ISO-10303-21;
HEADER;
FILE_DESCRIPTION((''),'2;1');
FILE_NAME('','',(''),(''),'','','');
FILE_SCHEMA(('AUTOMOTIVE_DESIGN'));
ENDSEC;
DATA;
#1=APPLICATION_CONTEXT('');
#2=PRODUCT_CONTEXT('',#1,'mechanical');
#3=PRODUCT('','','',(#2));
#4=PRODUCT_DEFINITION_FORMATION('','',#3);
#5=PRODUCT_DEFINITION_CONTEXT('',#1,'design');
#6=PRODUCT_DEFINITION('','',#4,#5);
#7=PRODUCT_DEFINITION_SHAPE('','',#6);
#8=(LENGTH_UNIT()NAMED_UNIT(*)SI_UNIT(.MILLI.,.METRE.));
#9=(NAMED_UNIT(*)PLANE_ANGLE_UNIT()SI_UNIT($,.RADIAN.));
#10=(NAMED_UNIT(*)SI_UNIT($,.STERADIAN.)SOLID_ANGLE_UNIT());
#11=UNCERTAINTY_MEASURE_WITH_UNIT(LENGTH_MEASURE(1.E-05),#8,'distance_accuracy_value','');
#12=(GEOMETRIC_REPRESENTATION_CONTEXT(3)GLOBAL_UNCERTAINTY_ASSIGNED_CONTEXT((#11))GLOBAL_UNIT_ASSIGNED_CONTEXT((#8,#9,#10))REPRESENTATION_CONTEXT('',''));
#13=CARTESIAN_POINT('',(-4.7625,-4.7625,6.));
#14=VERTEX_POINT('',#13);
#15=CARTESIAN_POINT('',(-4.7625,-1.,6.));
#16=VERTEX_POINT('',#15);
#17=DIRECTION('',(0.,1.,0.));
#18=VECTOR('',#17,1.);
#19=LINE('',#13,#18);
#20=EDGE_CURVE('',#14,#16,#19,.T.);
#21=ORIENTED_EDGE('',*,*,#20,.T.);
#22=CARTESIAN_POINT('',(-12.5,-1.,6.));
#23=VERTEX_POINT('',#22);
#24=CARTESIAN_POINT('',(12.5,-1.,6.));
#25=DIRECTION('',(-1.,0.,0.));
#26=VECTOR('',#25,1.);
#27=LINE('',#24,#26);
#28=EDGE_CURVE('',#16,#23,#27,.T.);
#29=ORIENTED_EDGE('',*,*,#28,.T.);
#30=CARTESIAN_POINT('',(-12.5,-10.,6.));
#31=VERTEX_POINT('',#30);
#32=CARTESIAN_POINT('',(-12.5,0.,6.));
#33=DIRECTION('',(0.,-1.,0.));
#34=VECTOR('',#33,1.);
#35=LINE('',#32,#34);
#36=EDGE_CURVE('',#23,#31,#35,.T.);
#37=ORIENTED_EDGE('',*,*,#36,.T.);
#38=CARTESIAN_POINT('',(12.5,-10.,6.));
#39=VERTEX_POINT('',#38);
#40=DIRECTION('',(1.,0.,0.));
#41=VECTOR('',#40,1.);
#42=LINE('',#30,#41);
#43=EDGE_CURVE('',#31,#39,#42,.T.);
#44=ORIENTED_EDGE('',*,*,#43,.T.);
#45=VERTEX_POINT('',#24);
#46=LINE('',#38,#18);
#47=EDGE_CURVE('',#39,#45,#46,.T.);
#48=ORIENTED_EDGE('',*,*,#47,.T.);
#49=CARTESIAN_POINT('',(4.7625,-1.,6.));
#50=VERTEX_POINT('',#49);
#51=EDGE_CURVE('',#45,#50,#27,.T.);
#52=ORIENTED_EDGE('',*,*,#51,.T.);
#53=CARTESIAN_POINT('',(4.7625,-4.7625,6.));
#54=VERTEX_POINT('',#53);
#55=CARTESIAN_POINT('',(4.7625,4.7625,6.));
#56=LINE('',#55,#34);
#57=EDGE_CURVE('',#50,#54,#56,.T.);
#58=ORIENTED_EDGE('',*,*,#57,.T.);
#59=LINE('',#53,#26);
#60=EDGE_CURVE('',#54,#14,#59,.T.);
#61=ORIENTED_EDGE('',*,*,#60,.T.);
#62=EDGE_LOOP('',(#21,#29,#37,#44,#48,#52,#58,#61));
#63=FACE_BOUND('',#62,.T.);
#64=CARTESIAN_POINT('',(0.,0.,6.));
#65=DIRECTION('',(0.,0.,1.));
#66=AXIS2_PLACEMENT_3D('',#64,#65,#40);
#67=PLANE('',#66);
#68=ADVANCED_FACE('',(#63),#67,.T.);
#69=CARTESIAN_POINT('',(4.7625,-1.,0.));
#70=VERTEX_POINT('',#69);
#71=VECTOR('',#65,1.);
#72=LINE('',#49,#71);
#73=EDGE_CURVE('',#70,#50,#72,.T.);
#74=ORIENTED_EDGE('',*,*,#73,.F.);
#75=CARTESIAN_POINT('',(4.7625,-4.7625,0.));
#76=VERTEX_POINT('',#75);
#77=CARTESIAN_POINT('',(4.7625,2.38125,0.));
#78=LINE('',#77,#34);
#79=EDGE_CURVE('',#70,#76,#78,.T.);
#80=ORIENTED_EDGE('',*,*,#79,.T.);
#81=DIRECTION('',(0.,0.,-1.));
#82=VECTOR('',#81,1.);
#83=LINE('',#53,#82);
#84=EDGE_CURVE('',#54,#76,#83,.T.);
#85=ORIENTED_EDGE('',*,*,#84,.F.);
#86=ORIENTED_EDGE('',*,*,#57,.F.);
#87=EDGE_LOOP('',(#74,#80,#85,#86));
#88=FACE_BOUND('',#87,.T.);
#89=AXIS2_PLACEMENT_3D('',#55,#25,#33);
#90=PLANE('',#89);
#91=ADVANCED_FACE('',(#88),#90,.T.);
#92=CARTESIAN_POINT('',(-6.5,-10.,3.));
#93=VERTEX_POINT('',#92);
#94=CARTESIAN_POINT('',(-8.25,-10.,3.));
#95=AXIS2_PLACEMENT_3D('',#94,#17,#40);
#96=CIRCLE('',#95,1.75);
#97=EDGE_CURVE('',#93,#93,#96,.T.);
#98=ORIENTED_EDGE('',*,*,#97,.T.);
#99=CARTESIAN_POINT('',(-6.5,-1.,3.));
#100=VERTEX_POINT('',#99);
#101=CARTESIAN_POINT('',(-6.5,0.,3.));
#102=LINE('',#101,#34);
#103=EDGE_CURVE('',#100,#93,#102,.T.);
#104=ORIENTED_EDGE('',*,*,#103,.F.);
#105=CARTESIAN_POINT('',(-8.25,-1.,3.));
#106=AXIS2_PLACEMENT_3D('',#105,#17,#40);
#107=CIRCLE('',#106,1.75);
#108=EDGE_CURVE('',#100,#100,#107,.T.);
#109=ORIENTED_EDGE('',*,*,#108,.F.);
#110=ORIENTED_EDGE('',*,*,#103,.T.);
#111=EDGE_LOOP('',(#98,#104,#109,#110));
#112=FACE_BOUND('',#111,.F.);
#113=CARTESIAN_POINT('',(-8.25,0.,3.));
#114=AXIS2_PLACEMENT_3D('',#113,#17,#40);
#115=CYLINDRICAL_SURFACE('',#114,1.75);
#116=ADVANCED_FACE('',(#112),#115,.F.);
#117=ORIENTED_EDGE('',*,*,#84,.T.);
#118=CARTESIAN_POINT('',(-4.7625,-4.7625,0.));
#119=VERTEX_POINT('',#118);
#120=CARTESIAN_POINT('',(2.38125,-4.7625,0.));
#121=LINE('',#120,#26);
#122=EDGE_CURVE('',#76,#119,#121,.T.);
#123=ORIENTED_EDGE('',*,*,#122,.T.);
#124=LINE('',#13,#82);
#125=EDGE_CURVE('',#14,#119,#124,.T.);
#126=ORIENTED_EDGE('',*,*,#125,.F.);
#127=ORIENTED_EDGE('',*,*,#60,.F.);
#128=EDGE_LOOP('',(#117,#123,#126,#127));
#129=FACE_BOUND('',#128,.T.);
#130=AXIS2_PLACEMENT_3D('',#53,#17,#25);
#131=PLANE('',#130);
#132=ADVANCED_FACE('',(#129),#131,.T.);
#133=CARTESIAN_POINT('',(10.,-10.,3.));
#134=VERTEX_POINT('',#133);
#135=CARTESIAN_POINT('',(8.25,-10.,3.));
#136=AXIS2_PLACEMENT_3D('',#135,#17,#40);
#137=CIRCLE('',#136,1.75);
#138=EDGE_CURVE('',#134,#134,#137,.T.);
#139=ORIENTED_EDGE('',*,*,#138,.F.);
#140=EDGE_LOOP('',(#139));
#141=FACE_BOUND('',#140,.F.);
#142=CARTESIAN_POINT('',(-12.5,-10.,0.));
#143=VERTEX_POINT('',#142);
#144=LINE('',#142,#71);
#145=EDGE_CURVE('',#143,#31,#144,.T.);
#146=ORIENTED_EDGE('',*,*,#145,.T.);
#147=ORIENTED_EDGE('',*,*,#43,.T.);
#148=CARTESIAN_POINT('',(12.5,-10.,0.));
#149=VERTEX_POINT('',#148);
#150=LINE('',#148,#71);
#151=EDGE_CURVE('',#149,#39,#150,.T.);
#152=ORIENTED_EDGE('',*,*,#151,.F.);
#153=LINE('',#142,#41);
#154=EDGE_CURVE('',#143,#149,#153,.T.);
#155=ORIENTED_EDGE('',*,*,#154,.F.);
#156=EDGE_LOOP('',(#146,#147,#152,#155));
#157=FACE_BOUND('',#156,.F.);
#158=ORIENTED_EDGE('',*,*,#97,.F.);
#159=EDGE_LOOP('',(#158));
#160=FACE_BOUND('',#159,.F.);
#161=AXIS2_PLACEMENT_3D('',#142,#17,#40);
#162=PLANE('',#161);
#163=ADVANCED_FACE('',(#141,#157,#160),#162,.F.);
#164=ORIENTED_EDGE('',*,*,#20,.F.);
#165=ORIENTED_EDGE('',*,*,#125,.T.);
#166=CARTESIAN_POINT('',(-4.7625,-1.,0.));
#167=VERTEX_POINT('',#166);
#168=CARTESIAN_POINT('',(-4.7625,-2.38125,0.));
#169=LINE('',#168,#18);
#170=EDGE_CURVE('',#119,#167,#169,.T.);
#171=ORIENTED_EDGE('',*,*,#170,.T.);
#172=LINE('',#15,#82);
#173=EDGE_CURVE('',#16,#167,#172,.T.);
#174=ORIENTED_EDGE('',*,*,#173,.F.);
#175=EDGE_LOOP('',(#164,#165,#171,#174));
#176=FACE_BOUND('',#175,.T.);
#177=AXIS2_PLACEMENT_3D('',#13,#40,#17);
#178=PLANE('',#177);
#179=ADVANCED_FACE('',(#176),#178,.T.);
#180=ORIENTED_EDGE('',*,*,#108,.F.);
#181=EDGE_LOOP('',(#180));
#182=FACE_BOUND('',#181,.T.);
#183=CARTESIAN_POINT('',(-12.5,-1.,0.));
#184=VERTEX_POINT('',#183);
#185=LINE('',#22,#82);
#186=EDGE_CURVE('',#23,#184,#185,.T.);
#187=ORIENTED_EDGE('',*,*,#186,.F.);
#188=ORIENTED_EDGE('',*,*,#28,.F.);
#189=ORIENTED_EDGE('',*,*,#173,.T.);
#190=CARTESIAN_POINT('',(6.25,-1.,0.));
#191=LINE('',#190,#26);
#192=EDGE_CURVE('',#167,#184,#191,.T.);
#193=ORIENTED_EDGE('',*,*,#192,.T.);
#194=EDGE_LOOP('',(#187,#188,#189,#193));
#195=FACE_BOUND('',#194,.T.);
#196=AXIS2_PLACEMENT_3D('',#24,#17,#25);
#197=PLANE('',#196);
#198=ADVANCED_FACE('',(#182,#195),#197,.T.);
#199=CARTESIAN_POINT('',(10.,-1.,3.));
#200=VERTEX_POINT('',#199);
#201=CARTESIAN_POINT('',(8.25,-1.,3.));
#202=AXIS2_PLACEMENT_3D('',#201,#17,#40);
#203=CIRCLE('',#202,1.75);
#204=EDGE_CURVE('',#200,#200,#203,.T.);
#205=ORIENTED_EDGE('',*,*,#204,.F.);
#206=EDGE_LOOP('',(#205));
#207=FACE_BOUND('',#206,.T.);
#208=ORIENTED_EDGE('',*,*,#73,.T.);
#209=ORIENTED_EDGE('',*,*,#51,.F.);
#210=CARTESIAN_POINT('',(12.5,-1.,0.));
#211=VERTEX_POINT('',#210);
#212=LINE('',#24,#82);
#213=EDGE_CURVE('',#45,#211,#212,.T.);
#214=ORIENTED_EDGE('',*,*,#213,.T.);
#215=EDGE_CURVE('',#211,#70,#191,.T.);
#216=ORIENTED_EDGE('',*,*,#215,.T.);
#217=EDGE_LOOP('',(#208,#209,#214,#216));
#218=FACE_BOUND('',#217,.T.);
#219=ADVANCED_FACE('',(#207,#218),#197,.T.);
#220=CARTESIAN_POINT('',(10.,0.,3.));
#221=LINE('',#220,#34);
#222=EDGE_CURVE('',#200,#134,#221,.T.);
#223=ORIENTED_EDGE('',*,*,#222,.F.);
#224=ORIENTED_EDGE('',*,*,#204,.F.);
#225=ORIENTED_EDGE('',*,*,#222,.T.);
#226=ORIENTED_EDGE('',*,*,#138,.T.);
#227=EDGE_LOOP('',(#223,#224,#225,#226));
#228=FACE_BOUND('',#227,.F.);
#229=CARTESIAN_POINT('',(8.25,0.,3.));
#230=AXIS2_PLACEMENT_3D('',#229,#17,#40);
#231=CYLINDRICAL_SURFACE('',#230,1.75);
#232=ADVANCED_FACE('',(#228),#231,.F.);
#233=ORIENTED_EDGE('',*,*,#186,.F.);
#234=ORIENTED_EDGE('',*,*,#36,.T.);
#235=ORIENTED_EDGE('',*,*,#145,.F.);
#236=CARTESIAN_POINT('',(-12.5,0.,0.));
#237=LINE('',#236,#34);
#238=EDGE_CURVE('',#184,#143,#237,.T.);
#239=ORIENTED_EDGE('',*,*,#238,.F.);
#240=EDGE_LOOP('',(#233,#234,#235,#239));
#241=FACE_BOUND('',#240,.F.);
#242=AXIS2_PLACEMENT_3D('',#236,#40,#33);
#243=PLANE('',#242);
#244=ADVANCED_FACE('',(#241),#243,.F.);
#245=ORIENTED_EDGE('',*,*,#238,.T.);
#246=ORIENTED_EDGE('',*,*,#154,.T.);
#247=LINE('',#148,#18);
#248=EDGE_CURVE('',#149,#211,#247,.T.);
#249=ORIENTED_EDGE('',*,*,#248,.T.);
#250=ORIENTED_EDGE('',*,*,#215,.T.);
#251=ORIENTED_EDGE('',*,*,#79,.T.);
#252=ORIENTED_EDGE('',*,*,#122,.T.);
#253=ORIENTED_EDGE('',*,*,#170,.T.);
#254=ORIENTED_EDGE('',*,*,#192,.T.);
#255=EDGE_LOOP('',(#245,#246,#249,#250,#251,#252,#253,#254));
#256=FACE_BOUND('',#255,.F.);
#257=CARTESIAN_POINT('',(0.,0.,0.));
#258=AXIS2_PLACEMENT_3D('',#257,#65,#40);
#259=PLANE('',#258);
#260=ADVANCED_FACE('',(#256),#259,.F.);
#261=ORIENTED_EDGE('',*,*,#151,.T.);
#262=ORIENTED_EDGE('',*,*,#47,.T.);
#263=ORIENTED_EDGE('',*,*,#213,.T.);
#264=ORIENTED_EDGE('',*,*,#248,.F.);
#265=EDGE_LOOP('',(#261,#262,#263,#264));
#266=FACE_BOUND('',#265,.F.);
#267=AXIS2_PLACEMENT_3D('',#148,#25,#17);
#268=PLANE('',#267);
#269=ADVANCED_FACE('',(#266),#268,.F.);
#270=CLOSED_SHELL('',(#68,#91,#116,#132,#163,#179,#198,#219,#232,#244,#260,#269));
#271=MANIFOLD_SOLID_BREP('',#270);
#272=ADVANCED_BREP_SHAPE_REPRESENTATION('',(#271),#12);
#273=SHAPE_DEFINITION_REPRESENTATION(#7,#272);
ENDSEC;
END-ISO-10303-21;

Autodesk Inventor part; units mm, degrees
ref_plane "YZ Plane" through (0, 0, 0) normal (1, 0, 0) x (0, 1, 0)
ref_plane "XZ Plane" through (0, 0, 0) normal (0, 1, 0) x (-1, 0, 0)
ref_plane "XY Plane" through (0, 0, 0) normal (0, 0, 1) x (1, 0, 0)
sketch "Sketch1" plane through (0, 0, 0) normal (0, 0, 1) x (1, 0, 0)
  arc A0 (-4, 0) -> (4, 0) centre (0, 0) ccw
  line L0 (-4, 0) -> (-12.5, 0)
  line L1 (-12.5, 0) -> (-12.5, -10)
  line L2 (-12.5, -10) -> (12.5, -10)
  line L3 (12.5, -10) -> (12.5, 0)
  line L4 (12.5, 0) -> (4, 0)
  dimension "d0" = 4
  dimension "d1" = 10
  dimension "d2" = 25
extrude "Extrusion1" add sketch "Sketch1" along normal blind 6
sketch "Sketch2" plane through (-12.5, 0, 0) normal (0, 1, 0) x (1, 0, 0)
  line L0 (0, 0) -> (8.5, 0) projected
  line L1 (8.5, -6) -> (0, -6) projected
  line L2 (16.5, 0) -> (25, 0) projected
  line L3 (16.5, 0) -> (16.5, -6) projected
  line L4 (25, -6) -> (16.5, -6) projected
  line L5 (25, 0) -> (25, -6) projected
  line L6 (4.25, 0) -> (4.25, -6) construction
  line L7 (20.75, 0) -> (20.75, -6) construction
  circle A0 centre (4.25, -3) radius 1.75
  circle A1 centre (20.75, -3) radius 1.75
  point P0 (12.5, 0)
  dimension "d5" = 3.5
extrude "Extrusion2" cut sketch "Sketch2" against normal through all contours A0 | A1
sketch "Sketch3" plane through (0, 0, 6) normal (0, 0, 1) x (1, 0, 0)
  line L0 (12.5, -10) -> (12.5, 0) projected
  line L1 (-12.5, 0) -> (12.5, 0)
  line L2 (12.5, 0) -> (12.5, -1)
  line L3 (12.5, -1) -> (-12.5, -1)
  line L4 (-12.5, -1) -> (-12.5, 0)
  dimension "d8" = 1
extrude "Extrusion3" cut sketch "Sketch3" against normal through all
sketch "Sketch4" plane through (0, 0, 6) normal (0, 0, 1) x (1, 0, 0)
  line L0 (4.7625, -4.7625) -> (-4.7625, -4.7625)
  line L1 (-4.7625, -4.7625) -> (-4.7625, 4.7625)
  line L2 (-4.7625, 4.7625) -> (4.7625, 4.7625)
  line L3 (4.7625, 4.7625) -> (4.7625, -4.7625)
  line L4 (4.7625, -4.7625) -> (-4.7625, 4.7625) construction
  line L5 (-4.7625, -4.7625) -> (4.7625, 4.7625) construction
  point P0 (0, 0)
  dimension "d11" = 9.525
extrude "Extrusion4" cut sketch "Sketch4" against normal through all
properties part number "sensor bracket coupler"
